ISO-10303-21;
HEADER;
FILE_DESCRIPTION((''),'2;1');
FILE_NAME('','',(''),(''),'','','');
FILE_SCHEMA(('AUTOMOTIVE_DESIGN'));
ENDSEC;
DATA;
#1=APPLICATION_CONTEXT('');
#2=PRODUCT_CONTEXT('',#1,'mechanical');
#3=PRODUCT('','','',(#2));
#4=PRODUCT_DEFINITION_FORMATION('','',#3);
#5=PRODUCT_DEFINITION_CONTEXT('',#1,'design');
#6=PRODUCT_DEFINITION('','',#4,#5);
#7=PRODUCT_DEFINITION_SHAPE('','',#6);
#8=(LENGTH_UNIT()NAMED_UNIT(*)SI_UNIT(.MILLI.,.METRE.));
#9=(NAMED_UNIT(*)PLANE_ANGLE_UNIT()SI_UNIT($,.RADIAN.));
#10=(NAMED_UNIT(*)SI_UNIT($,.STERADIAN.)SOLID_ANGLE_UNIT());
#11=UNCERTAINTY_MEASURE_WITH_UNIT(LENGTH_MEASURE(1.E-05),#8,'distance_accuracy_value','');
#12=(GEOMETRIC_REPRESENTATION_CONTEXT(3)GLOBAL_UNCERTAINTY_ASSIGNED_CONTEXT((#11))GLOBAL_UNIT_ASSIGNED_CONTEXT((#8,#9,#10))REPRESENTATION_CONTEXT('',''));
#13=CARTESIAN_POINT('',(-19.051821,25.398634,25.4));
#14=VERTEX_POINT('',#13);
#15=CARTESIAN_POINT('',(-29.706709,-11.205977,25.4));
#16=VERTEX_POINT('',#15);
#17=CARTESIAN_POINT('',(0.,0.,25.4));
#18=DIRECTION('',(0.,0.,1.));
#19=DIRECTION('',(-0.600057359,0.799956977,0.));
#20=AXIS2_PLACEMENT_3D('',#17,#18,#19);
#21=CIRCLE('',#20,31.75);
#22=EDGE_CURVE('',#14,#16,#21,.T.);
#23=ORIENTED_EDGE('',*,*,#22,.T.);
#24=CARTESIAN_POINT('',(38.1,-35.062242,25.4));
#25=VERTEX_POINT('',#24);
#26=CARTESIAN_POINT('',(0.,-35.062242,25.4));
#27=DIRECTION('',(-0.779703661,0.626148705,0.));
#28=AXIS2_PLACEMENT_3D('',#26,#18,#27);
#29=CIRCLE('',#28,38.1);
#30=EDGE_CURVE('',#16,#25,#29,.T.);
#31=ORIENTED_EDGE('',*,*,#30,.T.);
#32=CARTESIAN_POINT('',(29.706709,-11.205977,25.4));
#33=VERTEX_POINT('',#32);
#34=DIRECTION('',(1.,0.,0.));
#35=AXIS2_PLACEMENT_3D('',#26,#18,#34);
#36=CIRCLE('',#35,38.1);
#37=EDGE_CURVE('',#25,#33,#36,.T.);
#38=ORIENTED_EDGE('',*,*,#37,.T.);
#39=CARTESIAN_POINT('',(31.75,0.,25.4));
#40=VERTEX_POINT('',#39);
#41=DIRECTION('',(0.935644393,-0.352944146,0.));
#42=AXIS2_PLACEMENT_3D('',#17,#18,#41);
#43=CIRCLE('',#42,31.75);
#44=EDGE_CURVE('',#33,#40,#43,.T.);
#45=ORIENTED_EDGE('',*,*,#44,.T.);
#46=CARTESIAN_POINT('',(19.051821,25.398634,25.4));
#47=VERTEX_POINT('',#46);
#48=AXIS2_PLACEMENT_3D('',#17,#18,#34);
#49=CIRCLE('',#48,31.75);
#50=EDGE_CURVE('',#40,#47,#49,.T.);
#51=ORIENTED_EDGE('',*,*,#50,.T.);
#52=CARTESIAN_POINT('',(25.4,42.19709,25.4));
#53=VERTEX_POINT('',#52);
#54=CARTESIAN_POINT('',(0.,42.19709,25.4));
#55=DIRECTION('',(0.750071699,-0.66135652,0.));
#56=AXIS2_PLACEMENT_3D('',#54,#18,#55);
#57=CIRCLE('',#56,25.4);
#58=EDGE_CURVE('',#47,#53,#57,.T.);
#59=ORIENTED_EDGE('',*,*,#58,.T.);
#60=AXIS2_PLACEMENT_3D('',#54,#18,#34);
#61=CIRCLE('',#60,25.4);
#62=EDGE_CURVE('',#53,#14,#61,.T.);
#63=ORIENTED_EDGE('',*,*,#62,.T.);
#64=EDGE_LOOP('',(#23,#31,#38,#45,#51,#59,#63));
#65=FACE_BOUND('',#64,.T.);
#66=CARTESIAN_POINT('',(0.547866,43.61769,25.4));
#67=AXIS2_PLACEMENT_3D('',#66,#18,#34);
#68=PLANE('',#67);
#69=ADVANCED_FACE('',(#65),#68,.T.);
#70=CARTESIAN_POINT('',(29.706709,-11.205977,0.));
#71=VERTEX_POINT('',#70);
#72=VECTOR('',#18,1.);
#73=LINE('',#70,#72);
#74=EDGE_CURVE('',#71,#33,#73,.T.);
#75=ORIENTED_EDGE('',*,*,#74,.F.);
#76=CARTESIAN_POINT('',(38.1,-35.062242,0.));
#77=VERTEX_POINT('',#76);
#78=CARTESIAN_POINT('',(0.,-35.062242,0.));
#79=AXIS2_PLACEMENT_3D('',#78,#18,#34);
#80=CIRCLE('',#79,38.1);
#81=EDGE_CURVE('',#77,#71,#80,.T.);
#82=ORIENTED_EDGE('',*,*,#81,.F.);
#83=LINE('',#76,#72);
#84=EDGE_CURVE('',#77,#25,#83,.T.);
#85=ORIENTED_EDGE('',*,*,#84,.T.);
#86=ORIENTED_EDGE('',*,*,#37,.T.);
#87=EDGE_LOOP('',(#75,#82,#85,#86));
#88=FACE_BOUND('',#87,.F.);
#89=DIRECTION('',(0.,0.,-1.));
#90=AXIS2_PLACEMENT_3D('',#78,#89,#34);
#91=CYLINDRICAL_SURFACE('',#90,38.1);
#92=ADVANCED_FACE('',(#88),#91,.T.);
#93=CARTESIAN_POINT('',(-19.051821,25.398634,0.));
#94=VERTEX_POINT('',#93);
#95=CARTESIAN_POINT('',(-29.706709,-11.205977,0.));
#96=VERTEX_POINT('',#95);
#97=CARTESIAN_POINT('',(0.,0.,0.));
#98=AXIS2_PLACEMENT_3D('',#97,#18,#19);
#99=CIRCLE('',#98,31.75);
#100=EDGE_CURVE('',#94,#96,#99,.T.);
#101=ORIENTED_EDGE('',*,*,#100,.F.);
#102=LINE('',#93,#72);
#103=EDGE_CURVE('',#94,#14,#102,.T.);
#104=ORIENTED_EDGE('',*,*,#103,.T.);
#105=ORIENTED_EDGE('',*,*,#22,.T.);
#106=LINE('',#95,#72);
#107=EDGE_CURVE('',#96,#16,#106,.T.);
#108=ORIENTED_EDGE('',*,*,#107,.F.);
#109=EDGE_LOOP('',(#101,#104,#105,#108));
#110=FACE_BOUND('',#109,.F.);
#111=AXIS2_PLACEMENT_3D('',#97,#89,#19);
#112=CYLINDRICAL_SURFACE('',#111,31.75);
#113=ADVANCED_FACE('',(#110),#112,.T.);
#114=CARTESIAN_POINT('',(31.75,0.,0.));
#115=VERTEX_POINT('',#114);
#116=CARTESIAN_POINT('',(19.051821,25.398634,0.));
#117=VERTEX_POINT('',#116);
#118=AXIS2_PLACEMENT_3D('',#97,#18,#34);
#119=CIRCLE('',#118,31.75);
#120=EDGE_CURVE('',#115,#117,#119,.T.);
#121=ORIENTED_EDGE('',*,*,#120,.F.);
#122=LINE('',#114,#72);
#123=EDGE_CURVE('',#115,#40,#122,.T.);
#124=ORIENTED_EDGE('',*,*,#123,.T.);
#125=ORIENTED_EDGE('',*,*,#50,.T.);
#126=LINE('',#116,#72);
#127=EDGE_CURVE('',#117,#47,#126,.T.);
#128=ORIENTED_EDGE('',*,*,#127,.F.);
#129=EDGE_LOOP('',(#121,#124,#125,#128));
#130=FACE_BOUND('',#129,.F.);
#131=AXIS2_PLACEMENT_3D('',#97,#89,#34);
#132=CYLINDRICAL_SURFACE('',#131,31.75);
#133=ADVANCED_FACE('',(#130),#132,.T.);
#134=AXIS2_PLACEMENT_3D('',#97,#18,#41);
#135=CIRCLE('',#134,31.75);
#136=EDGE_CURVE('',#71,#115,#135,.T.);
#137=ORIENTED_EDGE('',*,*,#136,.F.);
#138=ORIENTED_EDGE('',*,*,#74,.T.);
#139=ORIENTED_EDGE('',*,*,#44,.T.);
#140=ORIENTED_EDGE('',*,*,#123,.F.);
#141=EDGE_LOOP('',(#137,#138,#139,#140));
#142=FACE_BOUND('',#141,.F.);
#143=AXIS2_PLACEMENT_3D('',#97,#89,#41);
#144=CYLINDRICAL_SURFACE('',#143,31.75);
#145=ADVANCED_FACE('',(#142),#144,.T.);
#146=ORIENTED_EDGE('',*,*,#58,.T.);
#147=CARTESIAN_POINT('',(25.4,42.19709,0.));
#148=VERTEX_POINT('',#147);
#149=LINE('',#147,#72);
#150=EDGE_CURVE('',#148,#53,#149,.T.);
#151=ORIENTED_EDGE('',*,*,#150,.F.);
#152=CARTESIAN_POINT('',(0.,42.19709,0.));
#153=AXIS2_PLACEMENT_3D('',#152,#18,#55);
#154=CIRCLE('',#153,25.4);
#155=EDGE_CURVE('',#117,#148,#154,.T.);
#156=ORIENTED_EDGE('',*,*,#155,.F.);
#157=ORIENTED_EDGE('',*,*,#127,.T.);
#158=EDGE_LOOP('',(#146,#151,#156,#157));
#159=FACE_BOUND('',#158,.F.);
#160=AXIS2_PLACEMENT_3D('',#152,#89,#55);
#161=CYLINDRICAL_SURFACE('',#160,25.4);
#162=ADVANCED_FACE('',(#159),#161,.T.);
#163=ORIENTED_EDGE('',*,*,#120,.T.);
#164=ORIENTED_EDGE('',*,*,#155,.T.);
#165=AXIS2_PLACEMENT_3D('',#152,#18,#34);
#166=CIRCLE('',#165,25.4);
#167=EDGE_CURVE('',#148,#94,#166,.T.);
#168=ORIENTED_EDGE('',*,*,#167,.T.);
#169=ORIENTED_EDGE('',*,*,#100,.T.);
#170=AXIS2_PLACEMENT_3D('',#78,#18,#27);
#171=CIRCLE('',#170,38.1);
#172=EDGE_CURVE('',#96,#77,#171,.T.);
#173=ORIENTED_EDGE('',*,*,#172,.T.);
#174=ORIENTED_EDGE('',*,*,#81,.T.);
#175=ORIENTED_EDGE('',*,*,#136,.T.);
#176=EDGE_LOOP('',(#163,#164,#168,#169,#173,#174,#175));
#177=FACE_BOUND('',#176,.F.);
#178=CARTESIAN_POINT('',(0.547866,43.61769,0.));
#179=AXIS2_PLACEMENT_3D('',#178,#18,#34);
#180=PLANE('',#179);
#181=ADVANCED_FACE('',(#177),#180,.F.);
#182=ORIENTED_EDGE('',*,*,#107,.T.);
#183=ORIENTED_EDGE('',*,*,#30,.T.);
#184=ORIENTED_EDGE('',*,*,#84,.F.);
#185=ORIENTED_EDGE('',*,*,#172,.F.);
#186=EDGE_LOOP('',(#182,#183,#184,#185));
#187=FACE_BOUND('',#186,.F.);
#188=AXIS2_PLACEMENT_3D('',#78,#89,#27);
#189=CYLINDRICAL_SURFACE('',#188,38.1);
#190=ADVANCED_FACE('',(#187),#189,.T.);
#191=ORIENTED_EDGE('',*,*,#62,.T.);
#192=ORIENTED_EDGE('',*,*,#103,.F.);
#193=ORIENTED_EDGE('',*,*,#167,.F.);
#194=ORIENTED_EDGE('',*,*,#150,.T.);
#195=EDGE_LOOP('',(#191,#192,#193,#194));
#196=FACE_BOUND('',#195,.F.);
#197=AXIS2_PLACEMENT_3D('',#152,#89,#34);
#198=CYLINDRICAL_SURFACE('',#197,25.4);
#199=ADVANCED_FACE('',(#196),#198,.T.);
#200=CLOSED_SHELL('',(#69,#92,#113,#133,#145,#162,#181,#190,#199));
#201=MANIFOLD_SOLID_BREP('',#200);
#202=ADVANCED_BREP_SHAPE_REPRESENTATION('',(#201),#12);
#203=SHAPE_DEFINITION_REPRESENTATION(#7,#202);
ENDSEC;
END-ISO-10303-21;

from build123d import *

# Parameters (mm, degrees)
F1_DEPTH = 25.4


with BuildPart() as f1:
    # F0 (on Top) → F1 (new body)
    with BuildSketch(Plane.XY):
        with BuildLine():
            ThreePointArc((-19.0518211515, 25.3986340344), (0, 31.75), (19.0518211515, 25.3986340344))
            ThreePointArc((19.0518211515, 25.3986340344), (23.7600111242, 33.2181213621), (25.4, 42.1970896423))
            ThreePointArc((25.4, 42.1970896423), (-8.9789682802, 65.9571007665), (-19.0518211515, 25.3986340344))
        make_face()
        with BuildLine():
            ThreePointArc((-19.0518211515, 25.3986340344), (0, 16.7970896423), (19.0518211515, 25.3986340344))
            ThreePointArc((19.0518211515, 25.3986340344), (0, 31.75), (-19.0518211515, 25.3986340344))
        make_face()
        with BuildLine():
            ThreePointArc((29.7067094769, -11.2059766222), (31.2350006074, -5.6953697909), (31.75, 0))
            ThreePointArc((31.75, 0), (28.398572337, 14.198013566), (19.0518211515, 25.3986340344))
            ThreePointArc((19.0518211515, 25.3986340344), (0, 16.7970896423), (-19.0518211515, 25.3986340344))
            ThreePointArc((-19.0518211515, 25.3986340344), (-30.4847987953, 8.8735304367), (-29.7067094769, -11.2059766222))
            ThreePointArc((-29.7067094769, -11.2059766222), (0, 3.0377577007), (29.7067094769, -11.2059766222))
        make_face()
        with BuildLine():
            ThreePointArc((-29.7067094769, -11.2059766222), (0, -31.75), (29.7067094769, -11.2059766222))
            ThreePointArc((29.7067094769, -11.2059766222), (0, 3.0377577007), (-29.7067094769, -11.2059766222))
        make_face()
        with BuildLine():
            ThreePointArc((38.1, -35.0622422993), (35.9404760059, -22.41739416), (29.7067094769, -11.2059766222))
            ThreePointArc((29.7067094769, -11.2059766222), (0, -31.75), (-29.7067094769, -11.2059766222))
            ThreePointArc((-29.7067094769, -11.2059766222), (-12.6448481393, -71.0027183053), (38.1, -35.0622422993))
        make_face()
    extrude(amount=F1_DEPTH)


solid = f1.part
